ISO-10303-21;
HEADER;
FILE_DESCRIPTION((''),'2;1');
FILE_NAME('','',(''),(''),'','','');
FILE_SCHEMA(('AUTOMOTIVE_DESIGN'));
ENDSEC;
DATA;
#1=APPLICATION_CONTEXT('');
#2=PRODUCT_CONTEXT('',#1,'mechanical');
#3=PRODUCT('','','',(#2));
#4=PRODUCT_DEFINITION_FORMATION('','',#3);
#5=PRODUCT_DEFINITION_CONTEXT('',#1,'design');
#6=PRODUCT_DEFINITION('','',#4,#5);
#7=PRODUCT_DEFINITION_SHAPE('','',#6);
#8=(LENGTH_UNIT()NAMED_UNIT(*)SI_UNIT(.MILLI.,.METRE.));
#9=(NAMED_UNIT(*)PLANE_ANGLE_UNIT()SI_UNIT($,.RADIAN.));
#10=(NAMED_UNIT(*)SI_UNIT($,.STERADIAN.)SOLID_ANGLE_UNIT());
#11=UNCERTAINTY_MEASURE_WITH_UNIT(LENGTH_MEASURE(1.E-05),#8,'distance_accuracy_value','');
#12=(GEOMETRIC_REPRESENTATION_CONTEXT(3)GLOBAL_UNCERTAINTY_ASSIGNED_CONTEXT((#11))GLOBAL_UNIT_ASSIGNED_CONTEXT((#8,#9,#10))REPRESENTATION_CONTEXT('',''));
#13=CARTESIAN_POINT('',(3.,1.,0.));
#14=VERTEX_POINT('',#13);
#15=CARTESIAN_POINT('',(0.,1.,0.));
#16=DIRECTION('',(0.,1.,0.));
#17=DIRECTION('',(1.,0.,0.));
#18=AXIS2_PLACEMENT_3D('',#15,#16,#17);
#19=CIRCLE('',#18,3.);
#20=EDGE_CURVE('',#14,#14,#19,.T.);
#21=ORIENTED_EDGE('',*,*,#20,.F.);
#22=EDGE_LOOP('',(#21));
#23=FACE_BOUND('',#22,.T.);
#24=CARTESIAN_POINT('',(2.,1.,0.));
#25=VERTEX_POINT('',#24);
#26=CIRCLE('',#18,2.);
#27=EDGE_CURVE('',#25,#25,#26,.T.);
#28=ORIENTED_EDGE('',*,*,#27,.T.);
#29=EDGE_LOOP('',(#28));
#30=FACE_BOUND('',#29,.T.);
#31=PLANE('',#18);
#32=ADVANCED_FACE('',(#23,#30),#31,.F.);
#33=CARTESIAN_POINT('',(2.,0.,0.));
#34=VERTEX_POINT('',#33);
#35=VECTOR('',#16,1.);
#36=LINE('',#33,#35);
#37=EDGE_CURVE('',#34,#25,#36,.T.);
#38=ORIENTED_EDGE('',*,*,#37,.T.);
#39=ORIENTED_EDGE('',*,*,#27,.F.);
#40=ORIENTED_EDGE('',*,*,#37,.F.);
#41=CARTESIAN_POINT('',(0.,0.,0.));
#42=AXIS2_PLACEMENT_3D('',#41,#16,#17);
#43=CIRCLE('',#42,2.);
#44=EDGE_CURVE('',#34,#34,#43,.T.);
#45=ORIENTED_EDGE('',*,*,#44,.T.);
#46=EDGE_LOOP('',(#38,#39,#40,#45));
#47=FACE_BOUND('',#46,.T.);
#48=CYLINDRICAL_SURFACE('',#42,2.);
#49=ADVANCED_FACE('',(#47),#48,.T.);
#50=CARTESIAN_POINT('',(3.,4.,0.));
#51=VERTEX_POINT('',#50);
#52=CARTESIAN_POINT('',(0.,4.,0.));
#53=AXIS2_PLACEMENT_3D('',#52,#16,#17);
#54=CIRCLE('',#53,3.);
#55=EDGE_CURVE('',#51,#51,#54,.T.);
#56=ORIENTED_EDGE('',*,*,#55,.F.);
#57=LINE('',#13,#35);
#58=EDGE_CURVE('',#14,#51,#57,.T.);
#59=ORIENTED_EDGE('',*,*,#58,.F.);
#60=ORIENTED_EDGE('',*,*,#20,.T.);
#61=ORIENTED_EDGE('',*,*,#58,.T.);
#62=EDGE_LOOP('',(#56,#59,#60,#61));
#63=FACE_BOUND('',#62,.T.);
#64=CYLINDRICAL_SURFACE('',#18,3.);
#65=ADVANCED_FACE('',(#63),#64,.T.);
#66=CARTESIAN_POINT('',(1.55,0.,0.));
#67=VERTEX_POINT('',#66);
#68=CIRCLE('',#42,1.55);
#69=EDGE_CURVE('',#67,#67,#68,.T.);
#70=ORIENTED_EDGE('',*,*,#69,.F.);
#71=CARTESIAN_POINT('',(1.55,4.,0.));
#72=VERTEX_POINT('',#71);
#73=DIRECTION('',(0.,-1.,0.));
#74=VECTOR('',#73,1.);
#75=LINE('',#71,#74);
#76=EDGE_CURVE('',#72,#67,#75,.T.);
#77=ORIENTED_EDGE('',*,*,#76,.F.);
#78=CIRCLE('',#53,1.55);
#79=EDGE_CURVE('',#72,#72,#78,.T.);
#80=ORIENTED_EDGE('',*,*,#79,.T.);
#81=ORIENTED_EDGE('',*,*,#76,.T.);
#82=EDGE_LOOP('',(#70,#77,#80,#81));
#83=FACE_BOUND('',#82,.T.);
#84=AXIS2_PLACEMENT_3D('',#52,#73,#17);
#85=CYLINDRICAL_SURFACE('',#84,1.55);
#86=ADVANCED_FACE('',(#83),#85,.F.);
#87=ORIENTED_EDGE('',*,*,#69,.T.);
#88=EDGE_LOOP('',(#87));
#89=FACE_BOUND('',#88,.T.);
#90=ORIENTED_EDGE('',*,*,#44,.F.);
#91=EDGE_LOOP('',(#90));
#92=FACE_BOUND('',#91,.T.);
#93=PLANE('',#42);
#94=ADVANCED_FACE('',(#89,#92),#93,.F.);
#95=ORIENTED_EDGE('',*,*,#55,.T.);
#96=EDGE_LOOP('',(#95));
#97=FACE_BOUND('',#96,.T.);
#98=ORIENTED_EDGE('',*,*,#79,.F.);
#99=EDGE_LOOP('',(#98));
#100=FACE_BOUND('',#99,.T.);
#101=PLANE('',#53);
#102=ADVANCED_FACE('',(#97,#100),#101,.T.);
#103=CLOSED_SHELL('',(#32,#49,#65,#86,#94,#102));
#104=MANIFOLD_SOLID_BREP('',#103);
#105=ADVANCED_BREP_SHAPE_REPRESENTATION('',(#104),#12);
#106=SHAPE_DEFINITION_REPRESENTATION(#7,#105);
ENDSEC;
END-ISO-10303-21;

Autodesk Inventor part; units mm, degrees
ref_plane "YZ Plane" through (0, 0, 0) normal (1, 0, 0) x (0, 1, 0)
ref_plane "XZ Plane" through (0, 0, 0) normal (0, 1, 0) x (-1, 0, 0)
ref_plane "XY Plane" through (0, 0, 0) normal (0, 0, 1) x (1, 0, 0)
sketch "Sketch1" plane through (0, 0, 0) normal (0, 0, 1) x (1, 0, 0)
  line L0 (2, 0) -> (2, 1)
  line L1 (2, 1) -> (3, 1)
  line L2 (3, 1) -> (3, 4)
  line L3 (3, 4) -> (1.55, 4)
  line L4 (1.55, 4) -> (1.55, 0)
  line L5 (0, 0) -> (0, 8.8913)
  line L6 (1.55, 0) -> (2, 0)
  dimension "d0" = 4
  dimension "d1" = 1
  dimension "d2" = 3
  dimension "d3" = 3.1
  dimension "d4" = 6
revolve "Revolution1" add sketch "Sketch1" angle 360 about axis through (0, 0, 0) along (0, 1, 0)
equation "\"d0\" = od_b"
equation "\"d1\" = t2"
equation "\"d2\" = t1"
equation "\"d3\" = id"
equation "\"d4\" = od_a"
equation "\"od_a\" = 6"
equation "\"od_b\" = 4"
equation "\"t1\" = 3"
equation "\"t2\" = 1"
equation "\"id\" = 3.1"
properties part number "Ceramic Bushing M3 V1" material "Silicon Nitride"
